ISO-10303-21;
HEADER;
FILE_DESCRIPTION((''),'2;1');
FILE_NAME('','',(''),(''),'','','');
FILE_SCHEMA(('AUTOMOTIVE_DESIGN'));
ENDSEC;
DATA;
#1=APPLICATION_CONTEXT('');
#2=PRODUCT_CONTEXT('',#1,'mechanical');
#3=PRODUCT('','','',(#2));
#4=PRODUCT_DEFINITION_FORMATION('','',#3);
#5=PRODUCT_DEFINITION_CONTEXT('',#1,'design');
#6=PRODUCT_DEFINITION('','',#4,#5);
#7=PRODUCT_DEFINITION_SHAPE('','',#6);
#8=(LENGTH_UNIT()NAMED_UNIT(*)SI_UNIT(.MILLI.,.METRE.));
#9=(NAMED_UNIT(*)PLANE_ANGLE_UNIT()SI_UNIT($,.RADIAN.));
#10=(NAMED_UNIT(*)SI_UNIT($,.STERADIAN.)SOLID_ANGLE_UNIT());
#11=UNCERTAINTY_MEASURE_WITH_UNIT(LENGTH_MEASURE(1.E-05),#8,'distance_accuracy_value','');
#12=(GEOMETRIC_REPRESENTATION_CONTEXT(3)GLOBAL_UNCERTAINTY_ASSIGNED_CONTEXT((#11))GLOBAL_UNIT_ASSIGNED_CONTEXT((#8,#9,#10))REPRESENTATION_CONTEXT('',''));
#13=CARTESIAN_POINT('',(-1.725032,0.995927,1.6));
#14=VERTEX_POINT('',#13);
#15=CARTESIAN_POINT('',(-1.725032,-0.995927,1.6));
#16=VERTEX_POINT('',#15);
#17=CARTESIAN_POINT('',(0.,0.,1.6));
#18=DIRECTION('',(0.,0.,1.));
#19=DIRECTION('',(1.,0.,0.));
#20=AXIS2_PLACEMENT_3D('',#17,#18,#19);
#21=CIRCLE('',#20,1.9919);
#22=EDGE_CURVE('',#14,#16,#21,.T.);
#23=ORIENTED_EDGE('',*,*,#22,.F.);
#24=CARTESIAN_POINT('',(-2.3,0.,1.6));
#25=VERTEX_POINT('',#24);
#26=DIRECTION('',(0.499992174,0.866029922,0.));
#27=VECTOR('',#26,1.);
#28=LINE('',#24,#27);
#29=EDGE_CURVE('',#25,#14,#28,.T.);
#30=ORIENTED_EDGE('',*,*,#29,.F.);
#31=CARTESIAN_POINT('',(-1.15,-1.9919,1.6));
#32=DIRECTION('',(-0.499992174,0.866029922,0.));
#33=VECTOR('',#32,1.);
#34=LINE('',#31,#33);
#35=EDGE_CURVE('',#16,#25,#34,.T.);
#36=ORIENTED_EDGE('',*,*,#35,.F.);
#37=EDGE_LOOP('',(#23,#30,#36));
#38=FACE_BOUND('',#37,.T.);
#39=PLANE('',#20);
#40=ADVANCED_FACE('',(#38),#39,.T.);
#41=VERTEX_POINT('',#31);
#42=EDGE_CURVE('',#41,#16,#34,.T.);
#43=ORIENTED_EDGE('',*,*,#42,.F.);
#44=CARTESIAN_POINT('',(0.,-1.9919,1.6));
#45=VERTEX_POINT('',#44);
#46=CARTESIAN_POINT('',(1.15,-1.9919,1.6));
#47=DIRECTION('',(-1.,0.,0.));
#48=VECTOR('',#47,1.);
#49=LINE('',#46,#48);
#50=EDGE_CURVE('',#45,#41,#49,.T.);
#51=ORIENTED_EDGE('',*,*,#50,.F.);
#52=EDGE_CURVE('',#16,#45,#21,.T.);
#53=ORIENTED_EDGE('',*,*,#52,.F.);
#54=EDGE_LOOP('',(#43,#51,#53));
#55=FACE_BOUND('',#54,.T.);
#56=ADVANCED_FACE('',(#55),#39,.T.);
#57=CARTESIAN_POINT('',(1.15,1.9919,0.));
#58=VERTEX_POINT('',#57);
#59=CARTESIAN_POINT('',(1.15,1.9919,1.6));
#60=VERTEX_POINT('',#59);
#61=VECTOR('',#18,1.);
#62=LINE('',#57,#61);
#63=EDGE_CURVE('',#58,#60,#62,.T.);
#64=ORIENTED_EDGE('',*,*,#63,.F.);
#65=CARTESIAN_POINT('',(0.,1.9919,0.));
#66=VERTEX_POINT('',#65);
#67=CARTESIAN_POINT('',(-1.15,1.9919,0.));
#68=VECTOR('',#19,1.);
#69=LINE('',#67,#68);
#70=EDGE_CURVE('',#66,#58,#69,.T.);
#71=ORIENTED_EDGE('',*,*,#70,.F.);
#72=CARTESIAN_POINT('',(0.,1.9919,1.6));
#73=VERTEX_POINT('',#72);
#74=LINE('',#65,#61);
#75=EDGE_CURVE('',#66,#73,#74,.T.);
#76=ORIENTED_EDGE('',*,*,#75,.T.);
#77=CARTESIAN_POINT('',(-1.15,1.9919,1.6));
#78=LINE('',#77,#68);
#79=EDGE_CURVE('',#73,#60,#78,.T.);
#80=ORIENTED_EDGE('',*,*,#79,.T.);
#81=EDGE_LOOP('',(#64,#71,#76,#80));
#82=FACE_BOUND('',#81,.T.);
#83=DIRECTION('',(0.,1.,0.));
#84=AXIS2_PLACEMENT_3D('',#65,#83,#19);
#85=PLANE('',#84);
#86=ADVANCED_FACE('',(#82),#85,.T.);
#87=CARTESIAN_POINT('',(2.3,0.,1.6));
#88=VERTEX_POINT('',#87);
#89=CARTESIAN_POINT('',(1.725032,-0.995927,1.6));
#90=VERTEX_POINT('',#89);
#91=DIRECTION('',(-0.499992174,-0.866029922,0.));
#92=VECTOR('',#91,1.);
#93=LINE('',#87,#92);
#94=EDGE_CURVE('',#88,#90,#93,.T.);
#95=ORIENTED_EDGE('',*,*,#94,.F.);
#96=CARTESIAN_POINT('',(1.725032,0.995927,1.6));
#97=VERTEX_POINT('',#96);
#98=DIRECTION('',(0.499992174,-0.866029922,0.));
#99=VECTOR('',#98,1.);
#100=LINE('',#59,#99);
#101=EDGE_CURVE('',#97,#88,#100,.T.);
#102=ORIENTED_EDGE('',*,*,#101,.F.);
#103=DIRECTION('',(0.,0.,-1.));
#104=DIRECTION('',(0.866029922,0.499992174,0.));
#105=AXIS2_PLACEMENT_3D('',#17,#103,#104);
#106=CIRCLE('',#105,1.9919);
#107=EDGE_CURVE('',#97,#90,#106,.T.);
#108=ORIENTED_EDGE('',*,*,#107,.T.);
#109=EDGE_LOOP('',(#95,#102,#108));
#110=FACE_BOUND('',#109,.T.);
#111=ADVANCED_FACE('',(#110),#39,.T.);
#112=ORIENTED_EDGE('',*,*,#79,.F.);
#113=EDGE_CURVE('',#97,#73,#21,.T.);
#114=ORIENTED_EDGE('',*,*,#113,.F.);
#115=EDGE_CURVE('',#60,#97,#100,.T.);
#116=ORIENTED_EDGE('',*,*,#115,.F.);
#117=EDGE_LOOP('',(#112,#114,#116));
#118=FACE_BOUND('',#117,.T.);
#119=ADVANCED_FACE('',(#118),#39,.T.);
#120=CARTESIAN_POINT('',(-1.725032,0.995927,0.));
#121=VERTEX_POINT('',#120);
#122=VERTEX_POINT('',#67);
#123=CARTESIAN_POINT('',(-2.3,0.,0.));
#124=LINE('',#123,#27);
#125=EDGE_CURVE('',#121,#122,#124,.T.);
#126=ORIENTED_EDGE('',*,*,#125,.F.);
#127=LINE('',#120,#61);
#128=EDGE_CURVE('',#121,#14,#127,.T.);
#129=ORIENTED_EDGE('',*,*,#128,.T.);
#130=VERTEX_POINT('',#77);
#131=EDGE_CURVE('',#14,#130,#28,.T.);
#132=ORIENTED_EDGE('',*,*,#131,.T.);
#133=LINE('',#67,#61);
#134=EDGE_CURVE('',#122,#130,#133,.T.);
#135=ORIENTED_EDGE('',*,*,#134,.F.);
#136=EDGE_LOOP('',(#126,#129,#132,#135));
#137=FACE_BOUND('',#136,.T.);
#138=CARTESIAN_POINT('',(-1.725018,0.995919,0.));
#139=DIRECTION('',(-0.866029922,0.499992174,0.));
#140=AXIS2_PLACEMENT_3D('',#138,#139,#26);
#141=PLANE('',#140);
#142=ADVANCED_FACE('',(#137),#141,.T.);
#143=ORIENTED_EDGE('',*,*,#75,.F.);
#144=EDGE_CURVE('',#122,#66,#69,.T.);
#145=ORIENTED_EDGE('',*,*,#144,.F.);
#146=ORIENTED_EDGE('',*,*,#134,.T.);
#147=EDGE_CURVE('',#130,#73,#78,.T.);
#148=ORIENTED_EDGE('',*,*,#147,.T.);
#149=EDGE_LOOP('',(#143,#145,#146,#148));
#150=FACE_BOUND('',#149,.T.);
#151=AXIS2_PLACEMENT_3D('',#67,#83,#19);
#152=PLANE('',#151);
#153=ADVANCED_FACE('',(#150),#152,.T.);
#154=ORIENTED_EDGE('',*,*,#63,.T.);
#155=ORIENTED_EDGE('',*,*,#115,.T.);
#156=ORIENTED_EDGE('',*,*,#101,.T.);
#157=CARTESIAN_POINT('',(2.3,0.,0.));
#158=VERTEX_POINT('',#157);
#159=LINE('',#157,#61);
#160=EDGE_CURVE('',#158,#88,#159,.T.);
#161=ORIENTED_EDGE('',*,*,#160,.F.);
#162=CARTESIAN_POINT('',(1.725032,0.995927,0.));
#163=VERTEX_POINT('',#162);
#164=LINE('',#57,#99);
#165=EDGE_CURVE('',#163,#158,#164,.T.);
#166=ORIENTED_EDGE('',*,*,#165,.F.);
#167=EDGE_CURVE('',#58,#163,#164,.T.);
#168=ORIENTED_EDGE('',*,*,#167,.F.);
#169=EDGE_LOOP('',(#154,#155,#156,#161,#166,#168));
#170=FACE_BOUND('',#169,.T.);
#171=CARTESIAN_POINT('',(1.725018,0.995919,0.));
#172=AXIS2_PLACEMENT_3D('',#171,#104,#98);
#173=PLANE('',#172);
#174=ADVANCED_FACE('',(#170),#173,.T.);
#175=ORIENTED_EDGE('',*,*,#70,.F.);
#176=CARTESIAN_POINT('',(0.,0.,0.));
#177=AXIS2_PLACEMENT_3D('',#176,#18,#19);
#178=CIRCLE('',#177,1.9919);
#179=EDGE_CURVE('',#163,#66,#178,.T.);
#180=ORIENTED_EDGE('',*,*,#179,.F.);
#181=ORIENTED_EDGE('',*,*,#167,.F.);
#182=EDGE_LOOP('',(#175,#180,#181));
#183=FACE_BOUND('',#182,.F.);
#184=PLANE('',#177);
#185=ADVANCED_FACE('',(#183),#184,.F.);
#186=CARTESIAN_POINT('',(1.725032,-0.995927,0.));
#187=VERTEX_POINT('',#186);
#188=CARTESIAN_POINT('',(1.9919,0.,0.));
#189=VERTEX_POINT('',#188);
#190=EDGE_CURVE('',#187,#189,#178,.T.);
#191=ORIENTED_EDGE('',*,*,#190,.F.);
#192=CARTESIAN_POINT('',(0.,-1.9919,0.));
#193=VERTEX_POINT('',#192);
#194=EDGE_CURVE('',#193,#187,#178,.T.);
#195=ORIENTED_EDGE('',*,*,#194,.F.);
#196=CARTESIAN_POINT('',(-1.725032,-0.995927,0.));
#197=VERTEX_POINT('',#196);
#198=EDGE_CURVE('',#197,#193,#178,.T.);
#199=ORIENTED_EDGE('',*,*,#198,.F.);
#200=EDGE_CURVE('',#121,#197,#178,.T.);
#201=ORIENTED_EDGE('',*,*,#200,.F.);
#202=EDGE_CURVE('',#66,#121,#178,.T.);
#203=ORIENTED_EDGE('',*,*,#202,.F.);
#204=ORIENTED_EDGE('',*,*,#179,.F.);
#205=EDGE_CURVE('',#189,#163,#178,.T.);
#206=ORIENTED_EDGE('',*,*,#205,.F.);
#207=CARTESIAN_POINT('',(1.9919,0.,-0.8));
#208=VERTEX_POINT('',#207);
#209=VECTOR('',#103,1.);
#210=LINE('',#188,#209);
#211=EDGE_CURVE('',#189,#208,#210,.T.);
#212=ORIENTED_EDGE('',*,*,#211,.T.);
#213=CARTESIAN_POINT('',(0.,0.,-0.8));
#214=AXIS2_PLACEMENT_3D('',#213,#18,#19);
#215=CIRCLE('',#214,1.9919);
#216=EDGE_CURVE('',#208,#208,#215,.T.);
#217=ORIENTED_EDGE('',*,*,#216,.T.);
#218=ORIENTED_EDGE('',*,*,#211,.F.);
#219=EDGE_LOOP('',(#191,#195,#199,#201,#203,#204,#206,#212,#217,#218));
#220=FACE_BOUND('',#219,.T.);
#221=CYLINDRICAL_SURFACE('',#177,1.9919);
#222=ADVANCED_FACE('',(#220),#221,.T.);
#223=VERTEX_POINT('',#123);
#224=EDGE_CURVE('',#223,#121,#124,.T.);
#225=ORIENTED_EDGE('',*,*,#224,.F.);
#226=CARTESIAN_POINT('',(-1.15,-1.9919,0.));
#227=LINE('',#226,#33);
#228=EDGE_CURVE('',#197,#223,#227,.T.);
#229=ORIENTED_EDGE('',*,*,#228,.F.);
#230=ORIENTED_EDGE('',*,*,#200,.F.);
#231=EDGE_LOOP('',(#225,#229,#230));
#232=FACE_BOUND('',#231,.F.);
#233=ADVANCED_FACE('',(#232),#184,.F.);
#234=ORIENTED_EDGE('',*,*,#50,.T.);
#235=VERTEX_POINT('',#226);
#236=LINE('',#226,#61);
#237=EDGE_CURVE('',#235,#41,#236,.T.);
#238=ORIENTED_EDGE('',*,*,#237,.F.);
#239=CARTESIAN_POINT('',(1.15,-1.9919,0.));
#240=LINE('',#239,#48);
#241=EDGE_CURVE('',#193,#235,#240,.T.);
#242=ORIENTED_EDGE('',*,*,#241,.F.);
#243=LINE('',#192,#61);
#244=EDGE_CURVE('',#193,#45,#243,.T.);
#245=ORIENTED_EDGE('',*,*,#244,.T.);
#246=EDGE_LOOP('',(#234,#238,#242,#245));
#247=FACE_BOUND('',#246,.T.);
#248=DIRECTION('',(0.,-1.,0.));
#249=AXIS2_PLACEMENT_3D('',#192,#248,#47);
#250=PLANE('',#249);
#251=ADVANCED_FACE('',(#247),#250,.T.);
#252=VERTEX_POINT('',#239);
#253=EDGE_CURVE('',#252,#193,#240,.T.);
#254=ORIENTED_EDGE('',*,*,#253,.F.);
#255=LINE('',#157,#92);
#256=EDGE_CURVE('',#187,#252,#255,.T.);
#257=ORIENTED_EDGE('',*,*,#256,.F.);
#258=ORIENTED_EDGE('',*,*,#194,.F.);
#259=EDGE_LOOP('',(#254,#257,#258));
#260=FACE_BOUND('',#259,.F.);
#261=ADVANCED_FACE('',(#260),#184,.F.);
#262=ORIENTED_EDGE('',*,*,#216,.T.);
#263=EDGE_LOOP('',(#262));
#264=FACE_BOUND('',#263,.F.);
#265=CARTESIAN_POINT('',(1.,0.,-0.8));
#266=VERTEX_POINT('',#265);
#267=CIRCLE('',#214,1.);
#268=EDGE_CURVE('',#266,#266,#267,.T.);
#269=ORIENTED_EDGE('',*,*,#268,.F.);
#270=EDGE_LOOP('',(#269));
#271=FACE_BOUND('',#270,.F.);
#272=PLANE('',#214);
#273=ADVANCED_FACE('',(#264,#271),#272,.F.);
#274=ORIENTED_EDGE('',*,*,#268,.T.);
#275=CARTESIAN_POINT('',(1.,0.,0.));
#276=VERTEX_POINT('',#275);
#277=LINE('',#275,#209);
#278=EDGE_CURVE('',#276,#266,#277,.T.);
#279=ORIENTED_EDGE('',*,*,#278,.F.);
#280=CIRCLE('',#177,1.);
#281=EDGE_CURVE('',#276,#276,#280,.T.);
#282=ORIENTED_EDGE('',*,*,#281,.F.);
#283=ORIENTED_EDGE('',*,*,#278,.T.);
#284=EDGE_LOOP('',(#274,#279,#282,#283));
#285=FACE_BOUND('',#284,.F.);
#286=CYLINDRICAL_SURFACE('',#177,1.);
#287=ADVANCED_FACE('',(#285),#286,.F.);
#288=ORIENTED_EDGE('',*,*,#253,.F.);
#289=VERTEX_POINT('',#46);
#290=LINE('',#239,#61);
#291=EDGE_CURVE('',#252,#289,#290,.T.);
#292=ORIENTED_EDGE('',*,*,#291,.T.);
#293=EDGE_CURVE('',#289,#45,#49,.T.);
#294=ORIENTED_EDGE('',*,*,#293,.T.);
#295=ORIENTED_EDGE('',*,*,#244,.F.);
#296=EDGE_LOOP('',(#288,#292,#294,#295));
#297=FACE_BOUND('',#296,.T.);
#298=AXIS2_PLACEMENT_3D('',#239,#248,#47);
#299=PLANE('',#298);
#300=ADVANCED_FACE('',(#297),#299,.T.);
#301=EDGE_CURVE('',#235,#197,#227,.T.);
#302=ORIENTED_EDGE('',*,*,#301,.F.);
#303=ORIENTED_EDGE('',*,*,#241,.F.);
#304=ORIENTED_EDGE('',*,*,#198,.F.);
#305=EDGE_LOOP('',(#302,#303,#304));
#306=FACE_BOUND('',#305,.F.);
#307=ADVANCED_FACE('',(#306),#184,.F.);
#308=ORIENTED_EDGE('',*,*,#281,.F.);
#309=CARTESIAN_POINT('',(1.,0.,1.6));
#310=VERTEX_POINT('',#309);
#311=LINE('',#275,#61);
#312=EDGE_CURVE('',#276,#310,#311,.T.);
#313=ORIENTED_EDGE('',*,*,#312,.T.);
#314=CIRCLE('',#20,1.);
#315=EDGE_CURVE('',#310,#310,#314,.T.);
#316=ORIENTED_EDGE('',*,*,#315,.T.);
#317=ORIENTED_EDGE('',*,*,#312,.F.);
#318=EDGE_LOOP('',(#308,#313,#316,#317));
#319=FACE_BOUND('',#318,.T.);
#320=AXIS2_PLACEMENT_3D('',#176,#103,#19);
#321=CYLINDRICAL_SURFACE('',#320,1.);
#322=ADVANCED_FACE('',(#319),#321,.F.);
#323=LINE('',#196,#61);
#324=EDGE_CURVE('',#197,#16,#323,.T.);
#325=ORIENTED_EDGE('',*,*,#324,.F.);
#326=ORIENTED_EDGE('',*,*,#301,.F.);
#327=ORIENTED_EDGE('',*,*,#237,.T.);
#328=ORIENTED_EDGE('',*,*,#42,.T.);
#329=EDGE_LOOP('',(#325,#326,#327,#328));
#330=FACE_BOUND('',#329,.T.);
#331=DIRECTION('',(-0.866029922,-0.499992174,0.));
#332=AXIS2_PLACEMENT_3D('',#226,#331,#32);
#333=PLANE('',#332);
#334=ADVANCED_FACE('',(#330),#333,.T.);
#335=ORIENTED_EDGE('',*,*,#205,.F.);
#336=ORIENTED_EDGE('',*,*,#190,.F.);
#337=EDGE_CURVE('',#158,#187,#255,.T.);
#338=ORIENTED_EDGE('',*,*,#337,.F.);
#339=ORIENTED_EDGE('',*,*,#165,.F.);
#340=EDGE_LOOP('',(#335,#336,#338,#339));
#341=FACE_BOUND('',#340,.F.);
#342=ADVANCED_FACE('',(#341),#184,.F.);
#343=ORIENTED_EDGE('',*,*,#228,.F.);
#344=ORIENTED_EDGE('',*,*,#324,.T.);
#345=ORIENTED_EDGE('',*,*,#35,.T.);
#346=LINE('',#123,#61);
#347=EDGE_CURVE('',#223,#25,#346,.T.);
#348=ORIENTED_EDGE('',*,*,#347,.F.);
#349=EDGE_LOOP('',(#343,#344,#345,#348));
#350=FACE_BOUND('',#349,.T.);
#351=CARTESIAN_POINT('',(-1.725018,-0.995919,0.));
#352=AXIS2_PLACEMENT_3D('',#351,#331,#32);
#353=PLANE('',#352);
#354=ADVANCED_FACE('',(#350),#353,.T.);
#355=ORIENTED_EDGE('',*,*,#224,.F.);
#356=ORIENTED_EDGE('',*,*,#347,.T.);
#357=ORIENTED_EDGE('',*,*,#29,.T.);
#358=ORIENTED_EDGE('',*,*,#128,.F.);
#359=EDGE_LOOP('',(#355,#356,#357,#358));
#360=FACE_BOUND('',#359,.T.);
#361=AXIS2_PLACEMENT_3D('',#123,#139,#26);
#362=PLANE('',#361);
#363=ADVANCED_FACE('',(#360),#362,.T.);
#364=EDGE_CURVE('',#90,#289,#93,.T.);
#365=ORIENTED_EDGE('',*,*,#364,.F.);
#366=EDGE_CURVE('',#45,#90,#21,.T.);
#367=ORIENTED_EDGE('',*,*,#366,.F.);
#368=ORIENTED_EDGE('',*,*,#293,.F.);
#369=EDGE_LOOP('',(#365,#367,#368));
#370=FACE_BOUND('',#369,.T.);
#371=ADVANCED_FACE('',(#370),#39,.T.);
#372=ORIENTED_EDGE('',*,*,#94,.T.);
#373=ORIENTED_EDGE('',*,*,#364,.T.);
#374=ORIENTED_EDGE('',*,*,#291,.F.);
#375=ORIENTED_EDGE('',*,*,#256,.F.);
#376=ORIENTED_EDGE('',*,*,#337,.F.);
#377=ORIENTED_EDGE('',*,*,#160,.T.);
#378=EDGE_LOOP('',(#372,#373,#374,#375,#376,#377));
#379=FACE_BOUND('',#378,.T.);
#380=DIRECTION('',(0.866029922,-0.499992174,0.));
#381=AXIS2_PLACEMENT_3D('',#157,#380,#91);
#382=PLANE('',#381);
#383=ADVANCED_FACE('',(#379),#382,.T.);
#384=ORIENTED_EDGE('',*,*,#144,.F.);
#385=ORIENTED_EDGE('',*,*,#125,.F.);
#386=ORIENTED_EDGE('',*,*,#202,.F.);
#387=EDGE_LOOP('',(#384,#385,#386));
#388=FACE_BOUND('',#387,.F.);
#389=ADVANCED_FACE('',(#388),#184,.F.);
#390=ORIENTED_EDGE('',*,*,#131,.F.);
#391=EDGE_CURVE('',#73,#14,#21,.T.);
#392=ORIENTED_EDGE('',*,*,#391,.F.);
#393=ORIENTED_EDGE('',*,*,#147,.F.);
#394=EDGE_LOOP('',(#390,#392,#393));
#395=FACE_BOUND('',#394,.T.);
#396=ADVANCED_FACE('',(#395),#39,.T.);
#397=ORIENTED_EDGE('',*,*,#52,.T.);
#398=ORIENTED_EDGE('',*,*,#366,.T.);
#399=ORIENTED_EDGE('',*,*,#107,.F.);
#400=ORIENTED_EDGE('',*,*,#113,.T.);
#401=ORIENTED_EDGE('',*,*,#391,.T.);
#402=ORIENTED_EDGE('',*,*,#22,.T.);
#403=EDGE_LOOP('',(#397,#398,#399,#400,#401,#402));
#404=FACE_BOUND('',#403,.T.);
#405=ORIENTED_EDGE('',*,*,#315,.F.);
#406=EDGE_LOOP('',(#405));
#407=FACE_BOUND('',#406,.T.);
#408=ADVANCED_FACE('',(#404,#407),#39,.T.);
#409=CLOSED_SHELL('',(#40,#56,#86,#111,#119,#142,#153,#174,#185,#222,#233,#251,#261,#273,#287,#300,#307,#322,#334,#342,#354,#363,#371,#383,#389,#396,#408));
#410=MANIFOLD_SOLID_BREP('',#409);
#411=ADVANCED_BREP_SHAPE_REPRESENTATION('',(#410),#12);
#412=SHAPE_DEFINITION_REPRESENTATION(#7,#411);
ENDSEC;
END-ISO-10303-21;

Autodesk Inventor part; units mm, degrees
ref_plane "YZ Plane" through (0, 0, 0) normal (1, 0, 0) x (0, 1, 0)
ref_plane "XZ Plane" through (0, 0, 0) normal (0, 1, 0) x (-1, 0, 0)
ref_plane "XY Plane" through (0, 0, 0) normal (0, 0, 1) x (1, 0, 0)
sketch "スケッチ1" plane through (0, 0, 0) normal (0, 0, 1) x (1, 0, 0)
  circle A0 centre (0, 0) radius 2.3
  line L0 (1.15, 1.9919) -> (2.3, 0)
  line L1 (2.3, 0) -> (1.15, -1.9919)
  line L2 (1.15, -1.9919) -> (-1.15, -1.9919)
  line L3 (-1.15, -1.9919) -> (-2.3, 0)
  line L4 (-2.3, 0) -> (-1.15, 1.9919)
  line L5 (-1.15, 1.9919) -> (1.15, 1.9919)
  circle A1 centre (0, 0) radius 1
  circle A2 centre (0, 0) radius 1.9919
  dimension "d0" = 4.6
  dimension "d1" = 2
extrude "押し出し1" add sketch "スケッチ1" along normal blind 1.6 contours L1 A2 L0 | L0 A2 L5 | L2 A2 L1 | A2 | L5 A2 L4 | L3 A2 L2 | L4 A2 L3
extrude "押し出し2" add sketch "スケッチ1" against normal blind 0.8 contours A2
properties part number "m2_locknut"
